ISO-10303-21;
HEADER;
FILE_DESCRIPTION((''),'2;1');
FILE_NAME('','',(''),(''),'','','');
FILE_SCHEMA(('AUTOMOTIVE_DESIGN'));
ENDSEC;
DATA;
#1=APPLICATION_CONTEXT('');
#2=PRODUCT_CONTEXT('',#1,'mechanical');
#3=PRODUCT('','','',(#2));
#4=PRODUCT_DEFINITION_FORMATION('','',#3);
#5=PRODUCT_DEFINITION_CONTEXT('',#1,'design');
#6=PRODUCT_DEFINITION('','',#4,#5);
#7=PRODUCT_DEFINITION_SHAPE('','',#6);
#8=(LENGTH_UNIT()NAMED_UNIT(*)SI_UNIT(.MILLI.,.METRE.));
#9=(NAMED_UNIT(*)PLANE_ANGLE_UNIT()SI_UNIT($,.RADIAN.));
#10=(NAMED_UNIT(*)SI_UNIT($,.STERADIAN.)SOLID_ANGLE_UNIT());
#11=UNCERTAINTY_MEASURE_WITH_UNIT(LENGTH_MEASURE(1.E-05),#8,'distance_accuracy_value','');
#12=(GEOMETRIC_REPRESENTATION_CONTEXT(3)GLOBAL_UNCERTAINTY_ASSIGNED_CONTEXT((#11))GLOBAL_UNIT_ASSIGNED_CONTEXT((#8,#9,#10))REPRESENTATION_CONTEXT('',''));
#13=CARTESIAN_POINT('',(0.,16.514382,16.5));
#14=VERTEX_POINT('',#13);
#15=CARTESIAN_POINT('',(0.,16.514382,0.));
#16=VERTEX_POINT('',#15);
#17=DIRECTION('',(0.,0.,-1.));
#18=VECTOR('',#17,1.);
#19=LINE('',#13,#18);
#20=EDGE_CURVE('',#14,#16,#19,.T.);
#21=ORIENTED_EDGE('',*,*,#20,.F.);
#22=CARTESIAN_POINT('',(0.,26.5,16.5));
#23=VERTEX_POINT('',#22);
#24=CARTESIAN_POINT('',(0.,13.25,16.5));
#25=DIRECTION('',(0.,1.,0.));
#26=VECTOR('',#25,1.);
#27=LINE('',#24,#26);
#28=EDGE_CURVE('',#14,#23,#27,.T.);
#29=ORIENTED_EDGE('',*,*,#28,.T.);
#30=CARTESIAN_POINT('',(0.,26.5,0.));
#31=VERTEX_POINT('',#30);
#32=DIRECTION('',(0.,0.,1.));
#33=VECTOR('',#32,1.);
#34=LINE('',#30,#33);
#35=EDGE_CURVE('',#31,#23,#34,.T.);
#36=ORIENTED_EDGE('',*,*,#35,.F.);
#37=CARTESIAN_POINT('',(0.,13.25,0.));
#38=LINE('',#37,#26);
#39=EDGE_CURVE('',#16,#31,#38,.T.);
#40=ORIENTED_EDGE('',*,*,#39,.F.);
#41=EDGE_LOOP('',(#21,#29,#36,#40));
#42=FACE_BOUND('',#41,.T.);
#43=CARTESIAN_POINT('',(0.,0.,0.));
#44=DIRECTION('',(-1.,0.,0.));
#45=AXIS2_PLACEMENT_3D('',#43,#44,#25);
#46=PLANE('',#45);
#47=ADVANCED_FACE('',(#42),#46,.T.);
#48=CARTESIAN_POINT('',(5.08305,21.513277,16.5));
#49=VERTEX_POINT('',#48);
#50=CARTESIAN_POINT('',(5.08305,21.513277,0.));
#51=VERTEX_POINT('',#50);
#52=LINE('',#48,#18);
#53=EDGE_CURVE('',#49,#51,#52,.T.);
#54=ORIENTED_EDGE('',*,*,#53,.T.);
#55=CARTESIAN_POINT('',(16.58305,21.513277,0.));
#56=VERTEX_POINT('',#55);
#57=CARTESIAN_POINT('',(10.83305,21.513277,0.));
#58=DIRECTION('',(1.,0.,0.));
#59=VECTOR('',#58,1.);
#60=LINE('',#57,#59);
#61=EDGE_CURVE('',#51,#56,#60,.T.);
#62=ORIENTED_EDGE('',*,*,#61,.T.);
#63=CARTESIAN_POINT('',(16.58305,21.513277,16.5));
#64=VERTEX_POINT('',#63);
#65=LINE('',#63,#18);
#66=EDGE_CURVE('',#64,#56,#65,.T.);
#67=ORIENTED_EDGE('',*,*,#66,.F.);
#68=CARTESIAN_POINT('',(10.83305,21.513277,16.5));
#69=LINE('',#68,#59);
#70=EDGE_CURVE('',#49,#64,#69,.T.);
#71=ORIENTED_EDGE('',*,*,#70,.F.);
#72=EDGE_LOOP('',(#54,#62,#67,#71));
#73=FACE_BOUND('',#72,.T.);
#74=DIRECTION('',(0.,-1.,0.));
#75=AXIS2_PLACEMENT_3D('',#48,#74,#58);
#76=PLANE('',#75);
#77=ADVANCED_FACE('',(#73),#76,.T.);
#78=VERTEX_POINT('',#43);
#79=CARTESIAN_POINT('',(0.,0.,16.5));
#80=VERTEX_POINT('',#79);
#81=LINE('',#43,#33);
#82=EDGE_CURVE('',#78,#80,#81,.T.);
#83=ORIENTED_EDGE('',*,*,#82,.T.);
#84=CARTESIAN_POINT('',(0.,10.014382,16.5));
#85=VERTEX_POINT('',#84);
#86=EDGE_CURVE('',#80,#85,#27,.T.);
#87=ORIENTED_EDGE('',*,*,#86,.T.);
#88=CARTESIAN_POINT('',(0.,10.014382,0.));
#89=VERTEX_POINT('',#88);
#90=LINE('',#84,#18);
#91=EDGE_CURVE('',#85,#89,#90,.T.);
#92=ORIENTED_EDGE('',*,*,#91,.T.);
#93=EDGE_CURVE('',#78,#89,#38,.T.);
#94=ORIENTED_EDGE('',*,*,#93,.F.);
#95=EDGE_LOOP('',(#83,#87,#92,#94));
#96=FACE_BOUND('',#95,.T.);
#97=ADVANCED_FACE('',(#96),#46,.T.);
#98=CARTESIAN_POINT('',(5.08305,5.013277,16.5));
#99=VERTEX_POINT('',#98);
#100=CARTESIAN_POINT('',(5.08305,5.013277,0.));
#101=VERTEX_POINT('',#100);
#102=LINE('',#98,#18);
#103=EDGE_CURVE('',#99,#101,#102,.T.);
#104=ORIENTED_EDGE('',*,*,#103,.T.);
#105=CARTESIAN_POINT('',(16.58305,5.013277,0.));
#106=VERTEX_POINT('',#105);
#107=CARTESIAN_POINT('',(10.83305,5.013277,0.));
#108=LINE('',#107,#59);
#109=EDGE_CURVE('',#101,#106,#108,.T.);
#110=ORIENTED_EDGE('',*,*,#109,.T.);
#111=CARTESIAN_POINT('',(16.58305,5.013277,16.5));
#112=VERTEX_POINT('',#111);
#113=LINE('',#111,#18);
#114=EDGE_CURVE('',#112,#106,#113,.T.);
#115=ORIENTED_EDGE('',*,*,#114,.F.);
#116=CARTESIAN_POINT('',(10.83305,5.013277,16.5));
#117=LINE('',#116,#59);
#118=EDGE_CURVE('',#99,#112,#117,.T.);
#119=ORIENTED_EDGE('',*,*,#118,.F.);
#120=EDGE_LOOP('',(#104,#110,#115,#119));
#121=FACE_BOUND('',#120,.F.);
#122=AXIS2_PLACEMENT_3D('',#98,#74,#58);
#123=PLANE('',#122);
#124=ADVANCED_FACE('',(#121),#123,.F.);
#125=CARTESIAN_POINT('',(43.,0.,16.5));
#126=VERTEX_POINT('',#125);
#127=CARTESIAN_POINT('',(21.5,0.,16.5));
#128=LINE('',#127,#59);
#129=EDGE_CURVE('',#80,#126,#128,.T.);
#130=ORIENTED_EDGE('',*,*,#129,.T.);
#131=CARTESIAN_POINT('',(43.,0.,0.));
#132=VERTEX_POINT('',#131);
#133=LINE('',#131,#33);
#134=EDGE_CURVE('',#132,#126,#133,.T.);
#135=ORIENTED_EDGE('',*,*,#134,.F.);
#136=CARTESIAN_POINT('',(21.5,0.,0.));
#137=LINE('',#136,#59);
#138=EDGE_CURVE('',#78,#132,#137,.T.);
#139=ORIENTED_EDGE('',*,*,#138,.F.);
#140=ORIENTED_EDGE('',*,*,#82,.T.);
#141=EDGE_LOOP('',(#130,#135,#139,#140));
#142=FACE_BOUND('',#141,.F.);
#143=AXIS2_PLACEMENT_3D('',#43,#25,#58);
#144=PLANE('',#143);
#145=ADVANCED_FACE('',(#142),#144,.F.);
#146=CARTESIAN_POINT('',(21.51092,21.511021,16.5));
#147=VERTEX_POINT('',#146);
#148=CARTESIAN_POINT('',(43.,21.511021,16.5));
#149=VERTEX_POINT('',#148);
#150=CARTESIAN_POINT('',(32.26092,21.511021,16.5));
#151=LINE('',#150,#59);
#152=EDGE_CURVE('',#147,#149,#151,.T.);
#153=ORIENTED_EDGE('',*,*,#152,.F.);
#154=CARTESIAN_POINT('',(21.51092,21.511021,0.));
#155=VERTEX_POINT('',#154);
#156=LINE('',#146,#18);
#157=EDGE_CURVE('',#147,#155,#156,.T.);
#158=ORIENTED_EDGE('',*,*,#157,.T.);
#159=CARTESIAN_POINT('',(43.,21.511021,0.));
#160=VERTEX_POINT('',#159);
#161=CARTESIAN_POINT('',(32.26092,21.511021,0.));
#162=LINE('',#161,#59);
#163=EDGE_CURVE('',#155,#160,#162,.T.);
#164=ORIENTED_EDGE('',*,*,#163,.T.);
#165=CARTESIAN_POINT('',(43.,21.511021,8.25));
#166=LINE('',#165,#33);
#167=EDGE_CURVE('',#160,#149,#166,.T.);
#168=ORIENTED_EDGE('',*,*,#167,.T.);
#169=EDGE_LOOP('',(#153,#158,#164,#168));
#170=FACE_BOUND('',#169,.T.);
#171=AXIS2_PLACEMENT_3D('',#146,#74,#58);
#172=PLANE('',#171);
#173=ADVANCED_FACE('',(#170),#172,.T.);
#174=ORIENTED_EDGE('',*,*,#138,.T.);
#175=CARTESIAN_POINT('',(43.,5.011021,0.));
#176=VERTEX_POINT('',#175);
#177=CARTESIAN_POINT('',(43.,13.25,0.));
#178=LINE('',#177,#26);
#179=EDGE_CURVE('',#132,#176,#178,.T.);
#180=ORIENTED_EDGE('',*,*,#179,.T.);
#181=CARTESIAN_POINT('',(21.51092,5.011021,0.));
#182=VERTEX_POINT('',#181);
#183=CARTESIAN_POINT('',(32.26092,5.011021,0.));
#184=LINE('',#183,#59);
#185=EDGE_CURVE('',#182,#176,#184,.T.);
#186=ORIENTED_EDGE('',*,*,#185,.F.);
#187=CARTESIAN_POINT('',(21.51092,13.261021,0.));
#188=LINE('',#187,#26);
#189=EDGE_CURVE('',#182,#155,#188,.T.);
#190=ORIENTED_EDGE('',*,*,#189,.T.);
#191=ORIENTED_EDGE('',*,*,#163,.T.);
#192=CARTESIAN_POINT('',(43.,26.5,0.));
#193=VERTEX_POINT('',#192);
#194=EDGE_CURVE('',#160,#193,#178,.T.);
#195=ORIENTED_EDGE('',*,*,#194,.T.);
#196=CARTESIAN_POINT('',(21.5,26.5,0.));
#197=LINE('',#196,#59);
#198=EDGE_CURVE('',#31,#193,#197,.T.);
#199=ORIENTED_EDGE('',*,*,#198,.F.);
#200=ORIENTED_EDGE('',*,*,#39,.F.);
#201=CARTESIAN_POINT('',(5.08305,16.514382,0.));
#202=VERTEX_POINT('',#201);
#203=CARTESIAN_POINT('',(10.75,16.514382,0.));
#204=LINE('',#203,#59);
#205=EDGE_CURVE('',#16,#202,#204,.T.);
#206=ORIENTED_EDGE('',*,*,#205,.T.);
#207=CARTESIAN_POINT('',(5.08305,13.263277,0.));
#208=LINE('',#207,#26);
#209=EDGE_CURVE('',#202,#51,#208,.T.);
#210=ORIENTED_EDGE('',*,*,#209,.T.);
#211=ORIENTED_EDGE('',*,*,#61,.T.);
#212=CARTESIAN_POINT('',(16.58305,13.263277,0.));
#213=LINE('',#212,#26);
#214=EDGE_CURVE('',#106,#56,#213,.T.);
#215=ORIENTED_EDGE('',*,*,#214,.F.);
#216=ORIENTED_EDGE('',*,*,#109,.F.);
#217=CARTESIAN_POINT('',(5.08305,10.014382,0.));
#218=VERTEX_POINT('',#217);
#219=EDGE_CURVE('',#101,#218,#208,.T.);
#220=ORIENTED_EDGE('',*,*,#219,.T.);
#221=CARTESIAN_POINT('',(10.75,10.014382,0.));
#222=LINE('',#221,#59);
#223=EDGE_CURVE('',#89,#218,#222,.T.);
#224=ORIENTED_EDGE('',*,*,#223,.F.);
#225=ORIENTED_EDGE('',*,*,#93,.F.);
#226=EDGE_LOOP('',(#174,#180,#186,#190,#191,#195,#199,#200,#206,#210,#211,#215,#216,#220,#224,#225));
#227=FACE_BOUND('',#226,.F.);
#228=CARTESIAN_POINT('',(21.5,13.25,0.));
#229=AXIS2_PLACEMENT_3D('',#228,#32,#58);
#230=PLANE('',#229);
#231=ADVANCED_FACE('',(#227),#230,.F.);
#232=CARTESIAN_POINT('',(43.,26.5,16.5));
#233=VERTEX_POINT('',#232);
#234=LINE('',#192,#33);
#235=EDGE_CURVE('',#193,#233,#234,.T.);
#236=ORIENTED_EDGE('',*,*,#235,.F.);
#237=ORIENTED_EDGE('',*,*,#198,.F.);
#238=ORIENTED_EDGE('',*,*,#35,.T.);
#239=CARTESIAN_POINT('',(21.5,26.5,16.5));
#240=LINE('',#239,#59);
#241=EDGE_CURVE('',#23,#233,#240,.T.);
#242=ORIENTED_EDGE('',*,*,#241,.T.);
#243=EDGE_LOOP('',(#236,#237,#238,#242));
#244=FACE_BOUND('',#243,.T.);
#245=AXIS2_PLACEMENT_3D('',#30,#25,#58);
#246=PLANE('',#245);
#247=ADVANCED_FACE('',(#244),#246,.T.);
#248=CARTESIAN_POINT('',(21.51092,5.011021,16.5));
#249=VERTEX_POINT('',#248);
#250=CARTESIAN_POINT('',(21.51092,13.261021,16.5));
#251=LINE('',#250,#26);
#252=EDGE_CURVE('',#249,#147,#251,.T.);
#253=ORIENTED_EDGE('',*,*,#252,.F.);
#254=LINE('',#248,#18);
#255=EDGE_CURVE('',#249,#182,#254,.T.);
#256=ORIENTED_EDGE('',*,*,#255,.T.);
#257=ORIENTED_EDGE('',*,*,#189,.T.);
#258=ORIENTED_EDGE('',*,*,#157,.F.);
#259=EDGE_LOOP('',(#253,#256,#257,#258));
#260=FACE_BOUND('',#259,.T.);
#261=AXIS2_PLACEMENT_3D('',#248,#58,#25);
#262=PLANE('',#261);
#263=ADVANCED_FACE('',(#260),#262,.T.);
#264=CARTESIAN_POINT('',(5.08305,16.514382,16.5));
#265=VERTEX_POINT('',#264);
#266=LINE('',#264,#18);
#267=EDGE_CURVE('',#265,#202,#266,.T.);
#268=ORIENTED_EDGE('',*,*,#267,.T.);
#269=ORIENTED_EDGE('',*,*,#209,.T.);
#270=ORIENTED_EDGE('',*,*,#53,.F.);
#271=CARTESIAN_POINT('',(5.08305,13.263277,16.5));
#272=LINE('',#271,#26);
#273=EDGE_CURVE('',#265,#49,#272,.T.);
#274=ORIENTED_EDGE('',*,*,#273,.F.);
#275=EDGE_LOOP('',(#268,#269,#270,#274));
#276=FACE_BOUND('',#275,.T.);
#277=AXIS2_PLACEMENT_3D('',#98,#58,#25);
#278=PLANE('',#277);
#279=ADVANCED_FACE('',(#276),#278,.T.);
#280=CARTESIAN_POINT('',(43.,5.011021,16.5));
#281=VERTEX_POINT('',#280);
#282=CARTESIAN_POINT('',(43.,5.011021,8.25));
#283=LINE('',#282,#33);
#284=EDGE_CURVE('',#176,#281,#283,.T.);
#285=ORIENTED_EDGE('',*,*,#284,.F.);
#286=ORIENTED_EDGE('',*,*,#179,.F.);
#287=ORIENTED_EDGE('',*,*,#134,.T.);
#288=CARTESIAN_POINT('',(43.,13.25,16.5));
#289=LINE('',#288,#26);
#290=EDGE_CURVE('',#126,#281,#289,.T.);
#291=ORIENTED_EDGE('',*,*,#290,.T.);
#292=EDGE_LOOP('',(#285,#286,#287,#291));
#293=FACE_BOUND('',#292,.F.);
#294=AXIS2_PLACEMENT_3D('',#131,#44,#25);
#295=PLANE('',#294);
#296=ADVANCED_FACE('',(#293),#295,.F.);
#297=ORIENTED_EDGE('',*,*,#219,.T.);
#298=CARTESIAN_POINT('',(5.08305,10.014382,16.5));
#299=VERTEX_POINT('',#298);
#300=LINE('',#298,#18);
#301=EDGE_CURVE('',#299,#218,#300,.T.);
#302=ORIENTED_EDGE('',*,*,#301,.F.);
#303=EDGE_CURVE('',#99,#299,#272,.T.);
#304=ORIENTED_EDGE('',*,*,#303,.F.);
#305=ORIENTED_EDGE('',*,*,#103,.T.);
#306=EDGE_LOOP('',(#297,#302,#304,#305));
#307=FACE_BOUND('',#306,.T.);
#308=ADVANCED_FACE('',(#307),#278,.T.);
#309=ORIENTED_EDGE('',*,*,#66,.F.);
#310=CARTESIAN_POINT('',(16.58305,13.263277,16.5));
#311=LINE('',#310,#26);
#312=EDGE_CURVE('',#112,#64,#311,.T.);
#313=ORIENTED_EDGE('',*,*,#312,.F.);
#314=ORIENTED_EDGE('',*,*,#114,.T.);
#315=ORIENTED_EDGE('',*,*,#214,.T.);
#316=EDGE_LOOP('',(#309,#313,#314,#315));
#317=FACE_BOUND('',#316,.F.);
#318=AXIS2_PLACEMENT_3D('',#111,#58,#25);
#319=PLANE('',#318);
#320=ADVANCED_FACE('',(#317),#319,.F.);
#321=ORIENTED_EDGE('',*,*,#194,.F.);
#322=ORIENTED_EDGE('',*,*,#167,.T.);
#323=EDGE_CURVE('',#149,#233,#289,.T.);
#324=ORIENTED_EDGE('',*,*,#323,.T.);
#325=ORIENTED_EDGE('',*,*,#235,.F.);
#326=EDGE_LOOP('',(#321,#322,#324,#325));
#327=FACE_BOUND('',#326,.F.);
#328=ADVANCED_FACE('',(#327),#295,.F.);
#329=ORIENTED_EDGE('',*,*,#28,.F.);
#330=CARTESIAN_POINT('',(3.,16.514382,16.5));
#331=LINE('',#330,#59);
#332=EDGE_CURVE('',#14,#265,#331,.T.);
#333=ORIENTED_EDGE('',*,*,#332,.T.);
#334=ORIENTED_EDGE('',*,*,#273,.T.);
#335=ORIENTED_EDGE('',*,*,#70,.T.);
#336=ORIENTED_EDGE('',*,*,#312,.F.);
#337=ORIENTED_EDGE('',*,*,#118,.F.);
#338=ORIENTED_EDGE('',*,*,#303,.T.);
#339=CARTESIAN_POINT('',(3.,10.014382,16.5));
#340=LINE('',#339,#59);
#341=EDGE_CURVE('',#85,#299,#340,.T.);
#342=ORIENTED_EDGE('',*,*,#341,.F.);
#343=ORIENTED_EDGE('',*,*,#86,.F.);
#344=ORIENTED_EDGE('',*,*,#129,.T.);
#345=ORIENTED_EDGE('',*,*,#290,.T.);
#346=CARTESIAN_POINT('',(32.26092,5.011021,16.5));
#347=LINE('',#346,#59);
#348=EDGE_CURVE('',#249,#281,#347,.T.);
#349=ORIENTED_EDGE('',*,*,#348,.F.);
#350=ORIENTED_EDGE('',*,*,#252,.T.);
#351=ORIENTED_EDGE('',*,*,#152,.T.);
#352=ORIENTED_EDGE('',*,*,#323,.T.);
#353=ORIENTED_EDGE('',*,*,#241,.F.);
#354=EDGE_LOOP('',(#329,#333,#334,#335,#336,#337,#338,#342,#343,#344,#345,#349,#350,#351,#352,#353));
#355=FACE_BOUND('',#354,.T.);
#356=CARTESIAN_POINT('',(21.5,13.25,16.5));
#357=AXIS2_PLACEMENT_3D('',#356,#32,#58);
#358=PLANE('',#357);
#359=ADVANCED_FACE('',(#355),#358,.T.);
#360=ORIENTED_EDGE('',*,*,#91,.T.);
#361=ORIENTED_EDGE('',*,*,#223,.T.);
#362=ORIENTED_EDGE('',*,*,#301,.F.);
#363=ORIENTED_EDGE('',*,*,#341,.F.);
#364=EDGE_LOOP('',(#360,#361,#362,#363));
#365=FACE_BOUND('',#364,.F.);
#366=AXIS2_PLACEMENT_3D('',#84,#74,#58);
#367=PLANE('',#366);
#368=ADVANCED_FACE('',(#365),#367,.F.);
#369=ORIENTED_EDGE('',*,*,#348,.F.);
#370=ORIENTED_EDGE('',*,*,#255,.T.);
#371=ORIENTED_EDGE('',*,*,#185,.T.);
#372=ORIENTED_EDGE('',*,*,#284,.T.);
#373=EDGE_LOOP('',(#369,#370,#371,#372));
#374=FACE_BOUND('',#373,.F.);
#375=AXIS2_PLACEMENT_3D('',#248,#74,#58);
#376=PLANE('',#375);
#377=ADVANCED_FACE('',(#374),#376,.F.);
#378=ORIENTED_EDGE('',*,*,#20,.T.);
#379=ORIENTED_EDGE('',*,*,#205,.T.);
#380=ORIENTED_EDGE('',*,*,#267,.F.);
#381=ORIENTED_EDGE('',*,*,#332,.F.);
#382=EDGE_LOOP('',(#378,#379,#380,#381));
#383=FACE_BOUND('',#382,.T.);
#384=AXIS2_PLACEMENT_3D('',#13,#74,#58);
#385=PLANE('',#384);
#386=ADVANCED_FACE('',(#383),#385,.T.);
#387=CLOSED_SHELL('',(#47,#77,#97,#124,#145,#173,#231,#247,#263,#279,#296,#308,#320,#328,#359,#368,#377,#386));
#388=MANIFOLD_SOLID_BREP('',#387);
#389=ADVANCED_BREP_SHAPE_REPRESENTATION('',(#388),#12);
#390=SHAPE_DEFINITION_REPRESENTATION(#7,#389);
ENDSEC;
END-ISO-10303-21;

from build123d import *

# Parameters (mm, degrees)
SKETCH_W        = 43
SKETCH_H        = 26.5
PAD_DEPTH       = 16.5
SKETCH001_W     = 21.5
SKETCH001_H     = 16.5
POCKET_DEPTH    = 16.5
SKETCH002_W     = 11.5
SKETCH002_H     = 16.5
POCKET001_DEPTH = 16.5
SKETCH003_W     = 6
SKETCH003_H     = 6.5
POCKET002_DEPTH = 17


with BuildPart() as part:
    # Sketch → Pad (new body)
    with BuildSketch(Plane.XY):
        with Locations((21.5, 13.25)):
            Rectangle(SKETCH_W, SKETCH_H)
    extrude(amount=PAD_DEPTH)

    # Sketch001 (on Face6 of Pad) → Pocket (cut)
    with BuildSketch(Plane.XY.offset(16.5)):
        with Locations((32.26092, 13.261021)):
            Rectangle(SKETCH001_W, SKETCH001_H)
    extrude(amount=-POCKET_DEPTH, mode=Mode.SUBTRACT)

    # Sketch002 (on Face5 of Pocket) → Pocket001 (cut)
    with BuildSketch(Plane.XY.offset(16.5)):
        with Locations((10.83305, 13.263277)):
            Rectangle(SKETCH002_W, SKETCH002_H)
    extrude(amount=-POCKET001_DEPTH, mode=Mode.SUBTRACT)

    # Sketch003 (on Face5 of Pocket001) → Pocket002 (cut)
    with BuildSketch(Plane.XY.offset(16.5)):
        with Locations((3, 13.264382)):
            Rectangle(SKETCH003_W, SKETCH003_H)
    extrude(amount=-POCKET002_DEPTH, mode=Mode.SUBTRACT)


solid = part.part
